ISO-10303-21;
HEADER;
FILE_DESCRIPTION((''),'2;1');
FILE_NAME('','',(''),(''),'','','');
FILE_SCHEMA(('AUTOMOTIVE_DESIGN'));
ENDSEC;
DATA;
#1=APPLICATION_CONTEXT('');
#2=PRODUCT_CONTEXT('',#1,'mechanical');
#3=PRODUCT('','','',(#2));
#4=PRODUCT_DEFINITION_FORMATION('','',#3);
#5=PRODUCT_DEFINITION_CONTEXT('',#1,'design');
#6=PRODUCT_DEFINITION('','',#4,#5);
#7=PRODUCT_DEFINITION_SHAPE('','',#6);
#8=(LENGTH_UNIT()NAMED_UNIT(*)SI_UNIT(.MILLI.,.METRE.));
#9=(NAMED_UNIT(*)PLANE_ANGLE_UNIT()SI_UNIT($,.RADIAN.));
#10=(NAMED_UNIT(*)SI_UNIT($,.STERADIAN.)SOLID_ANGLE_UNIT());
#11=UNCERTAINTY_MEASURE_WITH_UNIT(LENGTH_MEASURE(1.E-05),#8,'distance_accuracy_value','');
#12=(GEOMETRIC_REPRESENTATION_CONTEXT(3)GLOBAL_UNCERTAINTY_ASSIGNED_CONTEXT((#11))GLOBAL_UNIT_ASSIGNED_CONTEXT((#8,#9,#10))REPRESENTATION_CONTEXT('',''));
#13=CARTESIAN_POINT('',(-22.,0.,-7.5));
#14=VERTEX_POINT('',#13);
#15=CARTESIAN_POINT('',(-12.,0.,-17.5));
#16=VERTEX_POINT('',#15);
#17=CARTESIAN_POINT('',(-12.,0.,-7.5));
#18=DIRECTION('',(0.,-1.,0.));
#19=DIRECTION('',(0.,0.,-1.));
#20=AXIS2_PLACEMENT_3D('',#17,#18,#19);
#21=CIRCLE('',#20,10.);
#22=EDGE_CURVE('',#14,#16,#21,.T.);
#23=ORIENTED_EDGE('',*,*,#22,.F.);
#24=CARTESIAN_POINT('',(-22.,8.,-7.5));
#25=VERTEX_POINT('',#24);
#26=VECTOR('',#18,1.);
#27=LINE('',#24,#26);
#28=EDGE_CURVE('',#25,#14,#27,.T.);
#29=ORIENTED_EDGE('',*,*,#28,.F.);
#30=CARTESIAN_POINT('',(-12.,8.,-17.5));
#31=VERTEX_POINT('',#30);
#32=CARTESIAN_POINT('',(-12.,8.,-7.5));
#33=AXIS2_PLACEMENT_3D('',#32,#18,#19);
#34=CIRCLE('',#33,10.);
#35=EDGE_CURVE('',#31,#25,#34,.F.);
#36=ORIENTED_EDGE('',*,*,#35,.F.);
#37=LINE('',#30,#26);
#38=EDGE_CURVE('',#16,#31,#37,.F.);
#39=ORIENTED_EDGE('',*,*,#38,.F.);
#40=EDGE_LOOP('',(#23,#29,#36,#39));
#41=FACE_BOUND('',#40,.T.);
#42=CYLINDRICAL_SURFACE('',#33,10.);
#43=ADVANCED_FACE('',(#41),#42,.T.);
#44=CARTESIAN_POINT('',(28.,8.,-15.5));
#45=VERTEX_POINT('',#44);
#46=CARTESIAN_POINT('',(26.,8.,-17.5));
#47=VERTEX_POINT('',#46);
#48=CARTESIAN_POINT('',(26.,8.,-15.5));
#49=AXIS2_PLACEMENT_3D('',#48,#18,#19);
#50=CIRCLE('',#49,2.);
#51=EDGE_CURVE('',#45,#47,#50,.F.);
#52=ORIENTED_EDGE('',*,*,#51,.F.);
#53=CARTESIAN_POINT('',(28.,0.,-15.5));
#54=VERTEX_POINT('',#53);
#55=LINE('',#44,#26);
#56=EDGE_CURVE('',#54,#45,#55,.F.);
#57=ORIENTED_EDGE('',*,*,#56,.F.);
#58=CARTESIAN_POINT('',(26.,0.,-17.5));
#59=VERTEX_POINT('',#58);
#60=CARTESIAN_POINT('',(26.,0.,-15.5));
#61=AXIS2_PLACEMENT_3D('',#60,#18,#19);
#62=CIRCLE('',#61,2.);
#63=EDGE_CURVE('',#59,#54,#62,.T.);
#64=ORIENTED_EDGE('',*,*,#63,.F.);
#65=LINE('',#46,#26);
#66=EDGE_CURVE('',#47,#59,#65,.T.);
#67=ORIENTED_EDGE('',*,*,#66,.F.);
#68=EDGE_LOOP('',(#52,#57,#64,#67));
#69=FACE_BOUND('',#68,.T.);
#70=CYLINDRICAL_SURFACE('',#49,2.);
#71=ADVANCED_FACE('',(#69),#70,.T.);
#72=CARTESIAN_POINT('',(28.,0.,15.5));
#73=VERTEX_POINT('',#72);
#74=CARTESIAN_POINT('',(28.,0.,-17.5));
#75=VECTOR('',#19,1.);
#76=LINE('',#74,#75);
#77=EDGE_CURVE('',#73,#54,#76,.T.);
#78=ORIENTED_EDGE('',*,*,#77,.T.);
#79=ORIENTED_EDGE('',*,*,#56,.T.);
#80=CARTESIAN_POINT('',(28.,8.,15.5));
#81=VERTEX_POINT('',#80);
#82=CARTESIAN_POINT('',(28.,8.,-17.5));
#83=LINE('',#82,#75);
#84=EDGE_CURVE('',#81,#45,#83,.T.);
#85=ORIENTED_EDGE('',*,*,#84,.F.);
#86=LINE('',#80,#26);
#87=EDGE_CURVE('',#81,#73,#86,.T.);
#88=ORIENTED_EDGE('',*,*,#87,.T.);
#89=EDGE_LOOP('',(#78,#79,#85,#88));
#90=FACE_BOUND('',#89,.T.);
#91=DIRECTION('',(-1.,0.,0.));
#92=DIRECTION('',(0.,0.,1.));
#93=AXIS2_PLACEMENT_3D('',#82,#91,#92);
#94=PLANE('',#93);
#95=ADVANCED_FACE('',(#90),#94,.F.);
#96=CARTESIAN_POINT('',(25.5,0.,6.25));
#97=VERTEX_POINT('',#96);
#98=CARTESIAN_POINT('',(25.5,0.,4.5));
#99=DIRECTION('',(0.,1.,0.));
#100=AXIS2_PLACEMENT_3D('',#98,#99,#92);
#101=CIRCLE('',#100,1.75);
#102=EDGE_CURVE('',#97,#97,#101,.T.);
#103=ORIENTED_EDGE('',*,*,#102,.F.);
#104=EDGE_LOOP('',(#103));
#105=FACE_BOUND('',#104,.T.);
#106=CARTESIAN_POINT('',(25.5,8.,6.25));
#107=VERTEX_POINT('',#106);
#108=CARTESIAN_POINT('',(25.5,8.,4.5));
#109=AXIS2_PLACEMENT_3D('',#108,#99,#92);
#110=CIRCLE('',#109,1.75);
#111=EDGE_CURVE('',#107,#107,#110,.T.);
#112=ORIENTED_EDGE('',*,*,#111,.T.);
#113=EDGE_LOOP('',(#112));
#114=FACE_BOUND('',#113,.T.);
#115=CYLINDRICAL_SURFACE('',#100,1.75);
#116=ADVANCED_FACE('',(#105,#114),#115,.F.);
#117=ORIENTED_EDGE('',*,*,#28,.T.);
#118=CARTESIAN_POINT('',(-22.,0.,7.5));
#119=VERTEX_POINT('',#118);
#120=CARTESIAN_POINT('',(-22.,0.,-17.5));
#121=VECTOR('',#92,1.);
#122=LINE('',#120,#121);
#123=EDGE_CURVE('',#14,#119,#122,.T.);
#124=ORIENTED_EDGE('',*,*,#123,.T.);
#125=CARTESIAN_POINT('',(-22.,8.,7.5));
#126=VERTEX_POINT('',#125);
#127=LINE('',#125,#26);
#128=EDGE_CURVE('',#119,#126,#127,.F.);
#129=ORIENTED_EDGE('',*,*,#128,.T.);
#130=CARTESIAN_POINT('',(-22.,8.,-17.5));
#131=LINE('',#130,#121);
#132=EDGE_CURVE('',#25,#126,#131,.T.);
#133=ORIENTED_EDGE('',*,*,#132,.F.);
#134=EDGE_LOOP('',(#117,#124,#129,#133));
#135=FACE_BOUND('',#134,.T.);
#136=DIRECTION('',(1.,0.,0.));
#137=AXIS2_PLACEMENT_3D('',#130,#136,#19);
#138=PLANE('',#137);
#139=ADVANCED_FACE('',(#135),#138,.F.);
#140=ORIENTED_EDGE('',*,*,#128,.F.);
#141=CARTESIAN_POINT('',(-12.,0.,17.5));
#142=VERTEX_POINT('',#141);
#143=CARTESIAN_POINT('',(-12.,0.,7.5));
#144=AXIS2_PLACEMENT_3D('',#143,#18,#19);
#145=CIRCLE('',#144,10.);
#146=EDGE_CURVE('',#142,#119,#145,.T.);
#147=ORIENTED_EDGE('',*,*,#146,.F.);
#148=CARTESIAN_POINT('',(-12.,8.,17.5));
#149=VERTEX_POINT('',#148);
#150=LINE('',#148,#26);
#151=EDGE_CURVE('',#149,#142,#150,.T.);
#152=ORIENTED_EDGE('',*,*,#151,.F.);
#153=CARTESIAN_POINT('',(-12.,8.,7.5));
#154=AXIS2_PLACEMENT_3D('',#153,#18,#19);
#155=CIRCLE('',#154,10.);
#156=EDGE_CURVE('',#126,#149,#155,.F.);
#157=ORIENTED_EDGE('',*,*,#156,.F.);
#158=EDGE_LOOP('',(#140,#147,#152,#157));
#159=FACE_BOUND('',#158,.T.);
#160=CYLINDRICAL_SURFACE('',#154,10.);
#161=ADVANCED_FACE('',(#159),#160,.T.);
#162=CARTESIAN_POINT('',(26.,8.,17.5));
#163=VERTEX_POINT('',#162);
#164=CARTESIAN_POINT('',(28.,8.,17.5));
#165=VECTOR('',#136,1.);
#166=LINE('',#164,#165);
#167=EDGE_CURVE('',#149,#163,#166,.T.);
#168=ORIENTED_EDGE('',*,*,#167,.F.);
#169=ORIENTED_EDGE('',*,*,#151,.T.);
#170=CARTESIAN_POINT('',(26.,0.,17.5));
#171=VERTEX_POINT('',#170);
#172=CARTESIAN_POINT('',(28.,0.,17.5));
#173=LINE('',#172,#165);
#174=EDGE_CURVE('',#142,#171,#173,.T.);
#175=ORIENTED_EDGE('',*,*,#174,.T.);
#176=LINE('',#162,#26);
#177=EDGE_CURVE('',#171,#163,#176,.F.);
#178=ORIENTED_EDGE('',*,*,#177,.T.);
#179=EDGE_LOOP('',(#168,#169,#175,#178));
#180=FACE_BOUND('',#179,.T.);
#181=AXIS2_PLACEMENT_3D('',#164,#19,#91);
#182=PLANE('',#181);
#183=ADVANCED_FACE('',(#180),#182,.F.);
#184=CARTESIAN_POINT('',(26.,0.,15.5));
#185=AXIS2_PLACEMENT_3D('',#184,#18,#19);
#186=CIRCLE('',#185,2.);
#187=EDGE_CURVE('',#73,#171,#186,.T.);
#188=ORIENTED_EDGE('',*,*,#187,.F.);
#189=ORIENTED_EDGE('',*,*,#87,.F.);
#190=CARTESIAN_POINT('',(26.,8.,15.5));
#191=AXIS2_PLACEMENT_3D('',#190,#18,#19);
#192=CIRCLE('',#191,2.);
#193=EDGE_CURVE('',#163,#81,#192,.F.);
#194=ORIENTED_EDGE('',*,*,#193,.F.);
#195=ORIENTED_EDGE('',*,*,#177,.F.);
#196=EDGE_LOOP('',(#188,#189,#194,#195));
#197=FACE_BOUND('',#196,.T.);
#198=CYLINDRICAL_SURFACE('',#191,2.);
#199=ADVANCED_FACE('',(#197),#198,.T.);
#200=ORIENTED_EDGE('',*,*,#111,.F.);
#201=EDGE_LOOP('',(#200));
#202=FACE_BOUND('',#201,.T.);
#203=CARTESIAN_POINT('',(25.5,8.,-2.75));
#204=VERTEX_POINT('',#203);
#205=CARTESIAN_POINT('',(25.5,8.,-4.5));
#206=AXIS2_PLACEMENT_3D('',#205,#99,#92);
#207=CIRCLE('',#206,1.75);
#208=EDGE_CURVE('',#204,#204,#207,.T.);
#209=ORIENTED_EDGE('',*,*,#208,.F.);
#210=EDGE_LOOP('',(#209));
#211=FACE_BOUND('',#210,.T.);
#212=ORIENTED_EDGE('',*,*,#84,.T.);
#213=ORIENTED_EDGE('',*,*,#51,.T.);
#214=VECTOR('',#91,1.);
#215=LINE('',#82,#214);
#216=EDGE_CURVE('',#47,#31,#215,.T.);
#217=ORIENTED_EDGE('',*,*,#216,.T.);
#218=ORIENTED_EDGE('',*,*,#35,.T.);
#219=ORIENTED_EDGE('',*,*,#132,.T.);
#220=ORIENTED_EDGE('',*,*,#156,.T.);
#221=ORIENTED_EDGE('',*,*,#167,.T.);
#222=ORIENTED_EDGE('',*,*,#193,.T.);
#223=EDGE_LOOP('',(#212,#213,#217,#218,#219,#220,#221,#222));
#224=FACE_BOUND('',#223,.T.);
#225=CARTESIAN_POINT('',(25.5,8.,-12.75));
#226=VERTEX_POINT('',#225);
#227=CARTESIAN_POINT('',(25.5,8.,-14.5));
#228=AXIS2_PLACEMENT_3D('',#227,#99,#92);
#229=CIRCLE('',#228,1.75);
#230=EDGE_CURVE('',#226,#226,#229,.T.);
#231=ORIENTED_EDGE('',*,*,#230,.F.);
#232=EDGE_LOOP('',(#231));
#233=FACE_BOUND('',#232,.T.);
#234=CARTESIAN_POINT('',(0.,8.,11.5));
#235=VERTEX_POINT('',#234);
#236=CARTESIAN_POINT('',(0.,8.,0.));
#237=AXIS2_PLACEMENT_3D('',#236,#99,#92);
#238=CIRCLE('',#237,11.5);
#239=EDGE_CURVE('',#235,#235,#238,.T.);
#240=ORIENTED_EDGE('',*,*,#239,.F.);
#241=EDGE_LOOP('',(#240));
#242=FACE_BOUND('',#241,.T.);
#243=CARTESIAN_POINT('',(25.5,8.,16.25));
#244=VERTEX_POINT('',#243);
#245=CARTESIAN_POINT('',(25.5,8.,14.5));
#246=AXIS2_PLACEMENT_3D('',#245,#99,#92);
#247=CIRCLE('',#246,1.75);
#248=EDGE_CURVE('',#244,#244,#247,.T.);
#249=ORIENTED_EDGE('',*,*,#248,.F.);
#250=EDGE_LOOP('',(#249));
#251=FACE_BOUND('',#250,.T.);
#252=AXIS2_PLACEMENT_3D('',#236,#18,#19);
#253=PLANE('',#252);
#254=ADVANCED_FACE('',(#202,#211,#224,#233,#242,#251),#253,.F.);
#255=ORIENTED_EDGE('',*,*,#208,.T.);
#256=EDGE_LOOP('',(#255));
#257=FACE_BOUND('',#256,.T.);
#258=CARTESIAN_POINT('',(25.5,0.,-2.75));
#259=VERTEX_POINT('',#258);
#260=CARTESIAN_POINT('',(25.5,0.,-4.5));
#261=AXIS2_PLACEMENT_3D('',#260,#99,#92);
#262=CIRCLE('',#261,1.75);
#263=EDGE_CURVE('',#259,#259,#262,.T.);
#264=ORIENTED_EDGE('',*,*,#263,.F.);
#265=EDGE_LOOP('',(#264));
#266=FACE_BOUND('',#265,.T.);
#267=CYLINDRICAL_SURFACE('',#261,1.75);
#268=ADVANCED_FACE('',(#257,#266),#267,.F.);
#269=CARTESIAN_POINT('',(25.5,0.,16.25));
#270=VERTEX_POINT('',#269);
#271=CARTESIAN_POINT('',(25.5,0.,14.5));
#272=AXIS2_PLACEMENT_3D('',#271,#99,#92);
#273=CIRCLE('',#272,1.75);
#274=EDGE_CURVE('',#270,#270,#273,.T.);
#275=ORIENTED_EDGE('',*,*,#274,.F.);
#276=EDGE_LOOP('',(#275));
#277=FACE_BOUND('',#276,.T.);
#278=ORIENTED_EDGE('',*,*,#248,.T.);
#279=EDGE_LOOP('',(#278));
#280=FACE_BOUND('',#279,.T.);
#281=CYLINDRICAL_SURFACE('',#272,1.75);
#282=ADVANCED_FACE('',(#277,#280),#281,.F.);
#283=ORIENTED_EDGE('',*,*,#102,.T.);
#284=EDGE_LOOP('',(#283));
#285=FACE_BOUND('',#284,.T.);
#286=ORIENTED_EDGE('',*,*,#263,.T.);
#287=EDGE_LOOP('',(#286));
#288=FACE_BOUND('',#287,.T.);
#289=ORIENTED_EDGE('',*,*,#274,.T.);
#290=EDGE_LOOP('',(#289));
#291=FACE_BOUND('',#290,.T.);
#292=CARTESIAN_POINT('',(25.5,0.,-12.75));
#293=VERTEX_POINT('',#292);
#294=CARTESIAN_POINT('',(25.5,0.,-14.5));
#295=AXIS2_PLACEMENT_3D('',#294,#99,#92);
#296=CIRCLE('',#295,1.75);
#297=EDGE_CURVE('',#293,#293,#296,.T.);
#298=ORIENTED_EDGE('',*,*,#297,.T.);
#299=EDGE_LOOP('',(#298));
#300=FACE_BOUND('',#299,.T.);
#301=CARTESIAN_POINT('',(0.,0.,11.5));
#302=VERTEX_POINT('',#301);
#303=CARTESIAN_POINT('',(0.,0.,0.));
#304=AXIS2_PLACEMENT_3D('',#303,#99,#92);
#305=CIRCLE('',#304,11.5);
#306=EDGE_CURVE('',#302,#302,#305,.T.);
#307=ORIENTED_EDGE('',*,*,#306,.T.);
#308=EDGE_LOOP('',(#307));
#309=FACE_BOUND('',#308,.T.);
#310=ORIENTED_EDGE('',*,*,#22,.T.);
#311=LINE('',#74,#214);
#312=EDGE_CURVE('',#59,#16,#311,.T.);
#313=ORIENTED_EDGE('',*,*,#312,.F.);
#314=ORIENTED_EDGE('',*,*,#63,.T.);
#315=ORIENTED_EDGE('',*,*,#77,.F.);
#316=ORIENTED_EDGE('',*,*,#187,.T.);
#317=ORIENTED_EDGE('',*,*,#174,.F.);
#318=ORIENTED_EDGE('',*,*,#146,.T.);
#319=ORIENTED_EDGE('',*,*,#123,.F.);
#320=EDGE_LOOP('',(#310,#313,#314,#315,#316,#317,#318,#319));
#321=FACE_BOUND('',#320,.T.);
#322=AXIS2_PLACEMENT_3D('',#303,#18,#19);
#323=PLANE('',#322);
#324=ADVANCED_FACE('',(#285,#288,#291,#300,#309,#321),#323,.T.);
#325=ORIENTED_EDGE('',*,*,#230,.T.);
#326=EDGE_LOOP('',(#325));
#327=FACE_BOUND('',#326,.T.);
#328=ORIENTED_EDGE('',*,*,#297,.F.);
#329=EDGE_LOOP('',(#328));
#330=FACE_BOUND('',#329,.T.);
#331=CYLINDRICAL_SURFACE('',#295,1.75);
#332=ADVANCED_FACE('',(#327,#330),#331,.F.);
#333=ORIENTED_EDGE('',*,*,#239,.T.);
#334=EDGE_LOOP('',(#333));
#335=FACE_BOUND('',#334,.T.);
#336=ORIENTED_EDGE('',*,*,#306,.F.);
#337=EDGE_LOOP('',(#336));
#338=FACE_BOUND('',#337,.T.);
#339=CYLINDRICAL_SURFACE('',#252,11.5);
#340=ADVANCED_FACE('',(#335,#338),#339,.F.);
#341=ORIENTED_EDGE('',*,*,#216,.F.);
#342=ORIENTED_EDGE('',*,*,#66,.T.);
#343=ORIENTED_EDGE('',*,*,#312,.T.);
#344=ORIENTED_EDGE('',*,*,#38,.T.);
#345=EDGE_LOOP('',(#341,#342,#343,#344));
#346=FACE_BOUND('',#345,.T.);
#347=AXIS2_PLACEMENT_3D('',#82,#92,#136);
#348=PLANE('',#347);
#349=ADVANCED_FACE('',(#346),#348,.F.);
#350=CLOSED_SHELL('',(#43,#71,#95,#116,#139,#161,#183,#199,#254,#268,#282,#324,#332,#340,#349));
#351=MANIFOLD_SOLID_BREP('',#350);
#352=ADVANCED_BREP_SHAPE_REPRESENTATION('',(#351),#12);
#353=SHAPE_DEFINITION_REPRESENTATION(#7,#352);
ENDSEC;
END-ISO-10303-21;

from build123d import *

# Parameters (mm, degrees)
SKETCH1_W           = 50
SKETCH1_H           = 35
SKETCH1_R           = 11.5
BOSS_EXTRUDE1_DEPTH = 8
FILLET3_R           = 10
FILLET4_R           = 2
SKETCH2_R           = 1.75
CUT_EXTRUDE1_DEPTH  = 34.974254959


with BuildPart() as part:
    # Sketch1 → Boss-Extrude1 (new body)
    with BuildSketch(Plane(origin=(0, 0, 0), x_dir=(1, 0, 0), z_dir=(0, 1, 0))):
        with Locations((3, 0)):
            Rectangle(SKETCH1_W, SKETCH1_H)
        with Locations(Location((0, 0, 0), (0, 0, 270))):
            Circle(SKETCH1_R, mode=Mode.SUBTRACT)
    extrude(amount=BOSS_EXTRUDE1_DEPTH)

    # Fillet3
    fillet3_edges = [part.edges().sort_by_distance(p)[0] for p in [
        (-22, 4, 17.5),
        (-22, 4, -17.5),
    ]]
    fillet(fillet3_edges, radius=FILLET3_R)

    # Fillet4
    fillet4_edges = [part.edges().sort_by_distance(p)[0] for p in [
        (28, 4, 17.5),
        (28, 4, -17.5),
    ]]
    fillet(fillet4_edges, radius=FILLET4_R)

    # Sketch2 → Cut-Extrude1 (cut, through all)
    with BuildSketch(Plane(origin=(0, 8, 0), x_dir=(1, 0, 0), z_dir=(0, 1, 0))):
        with Locations(Location((25.5, 4.5, 0), (0, 0, 270))):
            Circle(SKETCH2_R)
        with Locations(Location((25.5, -4.5, 0), (0, 0, 270))):
            Circle(SKETCH2_R)
        with Locations(Location((25.5, -14.5, 0), (0, 0, 270))):
            Circle(SKETCH2_R)
        with Locations(Location((25.5, 14.5, 0), (0, 0, 270))):
            Circle(SKETCH2_R)
    extrude(amount=-CUT_EXTRUDE1_DEPTH, mode=Mode.SUBTRACT)


solid = part.part
